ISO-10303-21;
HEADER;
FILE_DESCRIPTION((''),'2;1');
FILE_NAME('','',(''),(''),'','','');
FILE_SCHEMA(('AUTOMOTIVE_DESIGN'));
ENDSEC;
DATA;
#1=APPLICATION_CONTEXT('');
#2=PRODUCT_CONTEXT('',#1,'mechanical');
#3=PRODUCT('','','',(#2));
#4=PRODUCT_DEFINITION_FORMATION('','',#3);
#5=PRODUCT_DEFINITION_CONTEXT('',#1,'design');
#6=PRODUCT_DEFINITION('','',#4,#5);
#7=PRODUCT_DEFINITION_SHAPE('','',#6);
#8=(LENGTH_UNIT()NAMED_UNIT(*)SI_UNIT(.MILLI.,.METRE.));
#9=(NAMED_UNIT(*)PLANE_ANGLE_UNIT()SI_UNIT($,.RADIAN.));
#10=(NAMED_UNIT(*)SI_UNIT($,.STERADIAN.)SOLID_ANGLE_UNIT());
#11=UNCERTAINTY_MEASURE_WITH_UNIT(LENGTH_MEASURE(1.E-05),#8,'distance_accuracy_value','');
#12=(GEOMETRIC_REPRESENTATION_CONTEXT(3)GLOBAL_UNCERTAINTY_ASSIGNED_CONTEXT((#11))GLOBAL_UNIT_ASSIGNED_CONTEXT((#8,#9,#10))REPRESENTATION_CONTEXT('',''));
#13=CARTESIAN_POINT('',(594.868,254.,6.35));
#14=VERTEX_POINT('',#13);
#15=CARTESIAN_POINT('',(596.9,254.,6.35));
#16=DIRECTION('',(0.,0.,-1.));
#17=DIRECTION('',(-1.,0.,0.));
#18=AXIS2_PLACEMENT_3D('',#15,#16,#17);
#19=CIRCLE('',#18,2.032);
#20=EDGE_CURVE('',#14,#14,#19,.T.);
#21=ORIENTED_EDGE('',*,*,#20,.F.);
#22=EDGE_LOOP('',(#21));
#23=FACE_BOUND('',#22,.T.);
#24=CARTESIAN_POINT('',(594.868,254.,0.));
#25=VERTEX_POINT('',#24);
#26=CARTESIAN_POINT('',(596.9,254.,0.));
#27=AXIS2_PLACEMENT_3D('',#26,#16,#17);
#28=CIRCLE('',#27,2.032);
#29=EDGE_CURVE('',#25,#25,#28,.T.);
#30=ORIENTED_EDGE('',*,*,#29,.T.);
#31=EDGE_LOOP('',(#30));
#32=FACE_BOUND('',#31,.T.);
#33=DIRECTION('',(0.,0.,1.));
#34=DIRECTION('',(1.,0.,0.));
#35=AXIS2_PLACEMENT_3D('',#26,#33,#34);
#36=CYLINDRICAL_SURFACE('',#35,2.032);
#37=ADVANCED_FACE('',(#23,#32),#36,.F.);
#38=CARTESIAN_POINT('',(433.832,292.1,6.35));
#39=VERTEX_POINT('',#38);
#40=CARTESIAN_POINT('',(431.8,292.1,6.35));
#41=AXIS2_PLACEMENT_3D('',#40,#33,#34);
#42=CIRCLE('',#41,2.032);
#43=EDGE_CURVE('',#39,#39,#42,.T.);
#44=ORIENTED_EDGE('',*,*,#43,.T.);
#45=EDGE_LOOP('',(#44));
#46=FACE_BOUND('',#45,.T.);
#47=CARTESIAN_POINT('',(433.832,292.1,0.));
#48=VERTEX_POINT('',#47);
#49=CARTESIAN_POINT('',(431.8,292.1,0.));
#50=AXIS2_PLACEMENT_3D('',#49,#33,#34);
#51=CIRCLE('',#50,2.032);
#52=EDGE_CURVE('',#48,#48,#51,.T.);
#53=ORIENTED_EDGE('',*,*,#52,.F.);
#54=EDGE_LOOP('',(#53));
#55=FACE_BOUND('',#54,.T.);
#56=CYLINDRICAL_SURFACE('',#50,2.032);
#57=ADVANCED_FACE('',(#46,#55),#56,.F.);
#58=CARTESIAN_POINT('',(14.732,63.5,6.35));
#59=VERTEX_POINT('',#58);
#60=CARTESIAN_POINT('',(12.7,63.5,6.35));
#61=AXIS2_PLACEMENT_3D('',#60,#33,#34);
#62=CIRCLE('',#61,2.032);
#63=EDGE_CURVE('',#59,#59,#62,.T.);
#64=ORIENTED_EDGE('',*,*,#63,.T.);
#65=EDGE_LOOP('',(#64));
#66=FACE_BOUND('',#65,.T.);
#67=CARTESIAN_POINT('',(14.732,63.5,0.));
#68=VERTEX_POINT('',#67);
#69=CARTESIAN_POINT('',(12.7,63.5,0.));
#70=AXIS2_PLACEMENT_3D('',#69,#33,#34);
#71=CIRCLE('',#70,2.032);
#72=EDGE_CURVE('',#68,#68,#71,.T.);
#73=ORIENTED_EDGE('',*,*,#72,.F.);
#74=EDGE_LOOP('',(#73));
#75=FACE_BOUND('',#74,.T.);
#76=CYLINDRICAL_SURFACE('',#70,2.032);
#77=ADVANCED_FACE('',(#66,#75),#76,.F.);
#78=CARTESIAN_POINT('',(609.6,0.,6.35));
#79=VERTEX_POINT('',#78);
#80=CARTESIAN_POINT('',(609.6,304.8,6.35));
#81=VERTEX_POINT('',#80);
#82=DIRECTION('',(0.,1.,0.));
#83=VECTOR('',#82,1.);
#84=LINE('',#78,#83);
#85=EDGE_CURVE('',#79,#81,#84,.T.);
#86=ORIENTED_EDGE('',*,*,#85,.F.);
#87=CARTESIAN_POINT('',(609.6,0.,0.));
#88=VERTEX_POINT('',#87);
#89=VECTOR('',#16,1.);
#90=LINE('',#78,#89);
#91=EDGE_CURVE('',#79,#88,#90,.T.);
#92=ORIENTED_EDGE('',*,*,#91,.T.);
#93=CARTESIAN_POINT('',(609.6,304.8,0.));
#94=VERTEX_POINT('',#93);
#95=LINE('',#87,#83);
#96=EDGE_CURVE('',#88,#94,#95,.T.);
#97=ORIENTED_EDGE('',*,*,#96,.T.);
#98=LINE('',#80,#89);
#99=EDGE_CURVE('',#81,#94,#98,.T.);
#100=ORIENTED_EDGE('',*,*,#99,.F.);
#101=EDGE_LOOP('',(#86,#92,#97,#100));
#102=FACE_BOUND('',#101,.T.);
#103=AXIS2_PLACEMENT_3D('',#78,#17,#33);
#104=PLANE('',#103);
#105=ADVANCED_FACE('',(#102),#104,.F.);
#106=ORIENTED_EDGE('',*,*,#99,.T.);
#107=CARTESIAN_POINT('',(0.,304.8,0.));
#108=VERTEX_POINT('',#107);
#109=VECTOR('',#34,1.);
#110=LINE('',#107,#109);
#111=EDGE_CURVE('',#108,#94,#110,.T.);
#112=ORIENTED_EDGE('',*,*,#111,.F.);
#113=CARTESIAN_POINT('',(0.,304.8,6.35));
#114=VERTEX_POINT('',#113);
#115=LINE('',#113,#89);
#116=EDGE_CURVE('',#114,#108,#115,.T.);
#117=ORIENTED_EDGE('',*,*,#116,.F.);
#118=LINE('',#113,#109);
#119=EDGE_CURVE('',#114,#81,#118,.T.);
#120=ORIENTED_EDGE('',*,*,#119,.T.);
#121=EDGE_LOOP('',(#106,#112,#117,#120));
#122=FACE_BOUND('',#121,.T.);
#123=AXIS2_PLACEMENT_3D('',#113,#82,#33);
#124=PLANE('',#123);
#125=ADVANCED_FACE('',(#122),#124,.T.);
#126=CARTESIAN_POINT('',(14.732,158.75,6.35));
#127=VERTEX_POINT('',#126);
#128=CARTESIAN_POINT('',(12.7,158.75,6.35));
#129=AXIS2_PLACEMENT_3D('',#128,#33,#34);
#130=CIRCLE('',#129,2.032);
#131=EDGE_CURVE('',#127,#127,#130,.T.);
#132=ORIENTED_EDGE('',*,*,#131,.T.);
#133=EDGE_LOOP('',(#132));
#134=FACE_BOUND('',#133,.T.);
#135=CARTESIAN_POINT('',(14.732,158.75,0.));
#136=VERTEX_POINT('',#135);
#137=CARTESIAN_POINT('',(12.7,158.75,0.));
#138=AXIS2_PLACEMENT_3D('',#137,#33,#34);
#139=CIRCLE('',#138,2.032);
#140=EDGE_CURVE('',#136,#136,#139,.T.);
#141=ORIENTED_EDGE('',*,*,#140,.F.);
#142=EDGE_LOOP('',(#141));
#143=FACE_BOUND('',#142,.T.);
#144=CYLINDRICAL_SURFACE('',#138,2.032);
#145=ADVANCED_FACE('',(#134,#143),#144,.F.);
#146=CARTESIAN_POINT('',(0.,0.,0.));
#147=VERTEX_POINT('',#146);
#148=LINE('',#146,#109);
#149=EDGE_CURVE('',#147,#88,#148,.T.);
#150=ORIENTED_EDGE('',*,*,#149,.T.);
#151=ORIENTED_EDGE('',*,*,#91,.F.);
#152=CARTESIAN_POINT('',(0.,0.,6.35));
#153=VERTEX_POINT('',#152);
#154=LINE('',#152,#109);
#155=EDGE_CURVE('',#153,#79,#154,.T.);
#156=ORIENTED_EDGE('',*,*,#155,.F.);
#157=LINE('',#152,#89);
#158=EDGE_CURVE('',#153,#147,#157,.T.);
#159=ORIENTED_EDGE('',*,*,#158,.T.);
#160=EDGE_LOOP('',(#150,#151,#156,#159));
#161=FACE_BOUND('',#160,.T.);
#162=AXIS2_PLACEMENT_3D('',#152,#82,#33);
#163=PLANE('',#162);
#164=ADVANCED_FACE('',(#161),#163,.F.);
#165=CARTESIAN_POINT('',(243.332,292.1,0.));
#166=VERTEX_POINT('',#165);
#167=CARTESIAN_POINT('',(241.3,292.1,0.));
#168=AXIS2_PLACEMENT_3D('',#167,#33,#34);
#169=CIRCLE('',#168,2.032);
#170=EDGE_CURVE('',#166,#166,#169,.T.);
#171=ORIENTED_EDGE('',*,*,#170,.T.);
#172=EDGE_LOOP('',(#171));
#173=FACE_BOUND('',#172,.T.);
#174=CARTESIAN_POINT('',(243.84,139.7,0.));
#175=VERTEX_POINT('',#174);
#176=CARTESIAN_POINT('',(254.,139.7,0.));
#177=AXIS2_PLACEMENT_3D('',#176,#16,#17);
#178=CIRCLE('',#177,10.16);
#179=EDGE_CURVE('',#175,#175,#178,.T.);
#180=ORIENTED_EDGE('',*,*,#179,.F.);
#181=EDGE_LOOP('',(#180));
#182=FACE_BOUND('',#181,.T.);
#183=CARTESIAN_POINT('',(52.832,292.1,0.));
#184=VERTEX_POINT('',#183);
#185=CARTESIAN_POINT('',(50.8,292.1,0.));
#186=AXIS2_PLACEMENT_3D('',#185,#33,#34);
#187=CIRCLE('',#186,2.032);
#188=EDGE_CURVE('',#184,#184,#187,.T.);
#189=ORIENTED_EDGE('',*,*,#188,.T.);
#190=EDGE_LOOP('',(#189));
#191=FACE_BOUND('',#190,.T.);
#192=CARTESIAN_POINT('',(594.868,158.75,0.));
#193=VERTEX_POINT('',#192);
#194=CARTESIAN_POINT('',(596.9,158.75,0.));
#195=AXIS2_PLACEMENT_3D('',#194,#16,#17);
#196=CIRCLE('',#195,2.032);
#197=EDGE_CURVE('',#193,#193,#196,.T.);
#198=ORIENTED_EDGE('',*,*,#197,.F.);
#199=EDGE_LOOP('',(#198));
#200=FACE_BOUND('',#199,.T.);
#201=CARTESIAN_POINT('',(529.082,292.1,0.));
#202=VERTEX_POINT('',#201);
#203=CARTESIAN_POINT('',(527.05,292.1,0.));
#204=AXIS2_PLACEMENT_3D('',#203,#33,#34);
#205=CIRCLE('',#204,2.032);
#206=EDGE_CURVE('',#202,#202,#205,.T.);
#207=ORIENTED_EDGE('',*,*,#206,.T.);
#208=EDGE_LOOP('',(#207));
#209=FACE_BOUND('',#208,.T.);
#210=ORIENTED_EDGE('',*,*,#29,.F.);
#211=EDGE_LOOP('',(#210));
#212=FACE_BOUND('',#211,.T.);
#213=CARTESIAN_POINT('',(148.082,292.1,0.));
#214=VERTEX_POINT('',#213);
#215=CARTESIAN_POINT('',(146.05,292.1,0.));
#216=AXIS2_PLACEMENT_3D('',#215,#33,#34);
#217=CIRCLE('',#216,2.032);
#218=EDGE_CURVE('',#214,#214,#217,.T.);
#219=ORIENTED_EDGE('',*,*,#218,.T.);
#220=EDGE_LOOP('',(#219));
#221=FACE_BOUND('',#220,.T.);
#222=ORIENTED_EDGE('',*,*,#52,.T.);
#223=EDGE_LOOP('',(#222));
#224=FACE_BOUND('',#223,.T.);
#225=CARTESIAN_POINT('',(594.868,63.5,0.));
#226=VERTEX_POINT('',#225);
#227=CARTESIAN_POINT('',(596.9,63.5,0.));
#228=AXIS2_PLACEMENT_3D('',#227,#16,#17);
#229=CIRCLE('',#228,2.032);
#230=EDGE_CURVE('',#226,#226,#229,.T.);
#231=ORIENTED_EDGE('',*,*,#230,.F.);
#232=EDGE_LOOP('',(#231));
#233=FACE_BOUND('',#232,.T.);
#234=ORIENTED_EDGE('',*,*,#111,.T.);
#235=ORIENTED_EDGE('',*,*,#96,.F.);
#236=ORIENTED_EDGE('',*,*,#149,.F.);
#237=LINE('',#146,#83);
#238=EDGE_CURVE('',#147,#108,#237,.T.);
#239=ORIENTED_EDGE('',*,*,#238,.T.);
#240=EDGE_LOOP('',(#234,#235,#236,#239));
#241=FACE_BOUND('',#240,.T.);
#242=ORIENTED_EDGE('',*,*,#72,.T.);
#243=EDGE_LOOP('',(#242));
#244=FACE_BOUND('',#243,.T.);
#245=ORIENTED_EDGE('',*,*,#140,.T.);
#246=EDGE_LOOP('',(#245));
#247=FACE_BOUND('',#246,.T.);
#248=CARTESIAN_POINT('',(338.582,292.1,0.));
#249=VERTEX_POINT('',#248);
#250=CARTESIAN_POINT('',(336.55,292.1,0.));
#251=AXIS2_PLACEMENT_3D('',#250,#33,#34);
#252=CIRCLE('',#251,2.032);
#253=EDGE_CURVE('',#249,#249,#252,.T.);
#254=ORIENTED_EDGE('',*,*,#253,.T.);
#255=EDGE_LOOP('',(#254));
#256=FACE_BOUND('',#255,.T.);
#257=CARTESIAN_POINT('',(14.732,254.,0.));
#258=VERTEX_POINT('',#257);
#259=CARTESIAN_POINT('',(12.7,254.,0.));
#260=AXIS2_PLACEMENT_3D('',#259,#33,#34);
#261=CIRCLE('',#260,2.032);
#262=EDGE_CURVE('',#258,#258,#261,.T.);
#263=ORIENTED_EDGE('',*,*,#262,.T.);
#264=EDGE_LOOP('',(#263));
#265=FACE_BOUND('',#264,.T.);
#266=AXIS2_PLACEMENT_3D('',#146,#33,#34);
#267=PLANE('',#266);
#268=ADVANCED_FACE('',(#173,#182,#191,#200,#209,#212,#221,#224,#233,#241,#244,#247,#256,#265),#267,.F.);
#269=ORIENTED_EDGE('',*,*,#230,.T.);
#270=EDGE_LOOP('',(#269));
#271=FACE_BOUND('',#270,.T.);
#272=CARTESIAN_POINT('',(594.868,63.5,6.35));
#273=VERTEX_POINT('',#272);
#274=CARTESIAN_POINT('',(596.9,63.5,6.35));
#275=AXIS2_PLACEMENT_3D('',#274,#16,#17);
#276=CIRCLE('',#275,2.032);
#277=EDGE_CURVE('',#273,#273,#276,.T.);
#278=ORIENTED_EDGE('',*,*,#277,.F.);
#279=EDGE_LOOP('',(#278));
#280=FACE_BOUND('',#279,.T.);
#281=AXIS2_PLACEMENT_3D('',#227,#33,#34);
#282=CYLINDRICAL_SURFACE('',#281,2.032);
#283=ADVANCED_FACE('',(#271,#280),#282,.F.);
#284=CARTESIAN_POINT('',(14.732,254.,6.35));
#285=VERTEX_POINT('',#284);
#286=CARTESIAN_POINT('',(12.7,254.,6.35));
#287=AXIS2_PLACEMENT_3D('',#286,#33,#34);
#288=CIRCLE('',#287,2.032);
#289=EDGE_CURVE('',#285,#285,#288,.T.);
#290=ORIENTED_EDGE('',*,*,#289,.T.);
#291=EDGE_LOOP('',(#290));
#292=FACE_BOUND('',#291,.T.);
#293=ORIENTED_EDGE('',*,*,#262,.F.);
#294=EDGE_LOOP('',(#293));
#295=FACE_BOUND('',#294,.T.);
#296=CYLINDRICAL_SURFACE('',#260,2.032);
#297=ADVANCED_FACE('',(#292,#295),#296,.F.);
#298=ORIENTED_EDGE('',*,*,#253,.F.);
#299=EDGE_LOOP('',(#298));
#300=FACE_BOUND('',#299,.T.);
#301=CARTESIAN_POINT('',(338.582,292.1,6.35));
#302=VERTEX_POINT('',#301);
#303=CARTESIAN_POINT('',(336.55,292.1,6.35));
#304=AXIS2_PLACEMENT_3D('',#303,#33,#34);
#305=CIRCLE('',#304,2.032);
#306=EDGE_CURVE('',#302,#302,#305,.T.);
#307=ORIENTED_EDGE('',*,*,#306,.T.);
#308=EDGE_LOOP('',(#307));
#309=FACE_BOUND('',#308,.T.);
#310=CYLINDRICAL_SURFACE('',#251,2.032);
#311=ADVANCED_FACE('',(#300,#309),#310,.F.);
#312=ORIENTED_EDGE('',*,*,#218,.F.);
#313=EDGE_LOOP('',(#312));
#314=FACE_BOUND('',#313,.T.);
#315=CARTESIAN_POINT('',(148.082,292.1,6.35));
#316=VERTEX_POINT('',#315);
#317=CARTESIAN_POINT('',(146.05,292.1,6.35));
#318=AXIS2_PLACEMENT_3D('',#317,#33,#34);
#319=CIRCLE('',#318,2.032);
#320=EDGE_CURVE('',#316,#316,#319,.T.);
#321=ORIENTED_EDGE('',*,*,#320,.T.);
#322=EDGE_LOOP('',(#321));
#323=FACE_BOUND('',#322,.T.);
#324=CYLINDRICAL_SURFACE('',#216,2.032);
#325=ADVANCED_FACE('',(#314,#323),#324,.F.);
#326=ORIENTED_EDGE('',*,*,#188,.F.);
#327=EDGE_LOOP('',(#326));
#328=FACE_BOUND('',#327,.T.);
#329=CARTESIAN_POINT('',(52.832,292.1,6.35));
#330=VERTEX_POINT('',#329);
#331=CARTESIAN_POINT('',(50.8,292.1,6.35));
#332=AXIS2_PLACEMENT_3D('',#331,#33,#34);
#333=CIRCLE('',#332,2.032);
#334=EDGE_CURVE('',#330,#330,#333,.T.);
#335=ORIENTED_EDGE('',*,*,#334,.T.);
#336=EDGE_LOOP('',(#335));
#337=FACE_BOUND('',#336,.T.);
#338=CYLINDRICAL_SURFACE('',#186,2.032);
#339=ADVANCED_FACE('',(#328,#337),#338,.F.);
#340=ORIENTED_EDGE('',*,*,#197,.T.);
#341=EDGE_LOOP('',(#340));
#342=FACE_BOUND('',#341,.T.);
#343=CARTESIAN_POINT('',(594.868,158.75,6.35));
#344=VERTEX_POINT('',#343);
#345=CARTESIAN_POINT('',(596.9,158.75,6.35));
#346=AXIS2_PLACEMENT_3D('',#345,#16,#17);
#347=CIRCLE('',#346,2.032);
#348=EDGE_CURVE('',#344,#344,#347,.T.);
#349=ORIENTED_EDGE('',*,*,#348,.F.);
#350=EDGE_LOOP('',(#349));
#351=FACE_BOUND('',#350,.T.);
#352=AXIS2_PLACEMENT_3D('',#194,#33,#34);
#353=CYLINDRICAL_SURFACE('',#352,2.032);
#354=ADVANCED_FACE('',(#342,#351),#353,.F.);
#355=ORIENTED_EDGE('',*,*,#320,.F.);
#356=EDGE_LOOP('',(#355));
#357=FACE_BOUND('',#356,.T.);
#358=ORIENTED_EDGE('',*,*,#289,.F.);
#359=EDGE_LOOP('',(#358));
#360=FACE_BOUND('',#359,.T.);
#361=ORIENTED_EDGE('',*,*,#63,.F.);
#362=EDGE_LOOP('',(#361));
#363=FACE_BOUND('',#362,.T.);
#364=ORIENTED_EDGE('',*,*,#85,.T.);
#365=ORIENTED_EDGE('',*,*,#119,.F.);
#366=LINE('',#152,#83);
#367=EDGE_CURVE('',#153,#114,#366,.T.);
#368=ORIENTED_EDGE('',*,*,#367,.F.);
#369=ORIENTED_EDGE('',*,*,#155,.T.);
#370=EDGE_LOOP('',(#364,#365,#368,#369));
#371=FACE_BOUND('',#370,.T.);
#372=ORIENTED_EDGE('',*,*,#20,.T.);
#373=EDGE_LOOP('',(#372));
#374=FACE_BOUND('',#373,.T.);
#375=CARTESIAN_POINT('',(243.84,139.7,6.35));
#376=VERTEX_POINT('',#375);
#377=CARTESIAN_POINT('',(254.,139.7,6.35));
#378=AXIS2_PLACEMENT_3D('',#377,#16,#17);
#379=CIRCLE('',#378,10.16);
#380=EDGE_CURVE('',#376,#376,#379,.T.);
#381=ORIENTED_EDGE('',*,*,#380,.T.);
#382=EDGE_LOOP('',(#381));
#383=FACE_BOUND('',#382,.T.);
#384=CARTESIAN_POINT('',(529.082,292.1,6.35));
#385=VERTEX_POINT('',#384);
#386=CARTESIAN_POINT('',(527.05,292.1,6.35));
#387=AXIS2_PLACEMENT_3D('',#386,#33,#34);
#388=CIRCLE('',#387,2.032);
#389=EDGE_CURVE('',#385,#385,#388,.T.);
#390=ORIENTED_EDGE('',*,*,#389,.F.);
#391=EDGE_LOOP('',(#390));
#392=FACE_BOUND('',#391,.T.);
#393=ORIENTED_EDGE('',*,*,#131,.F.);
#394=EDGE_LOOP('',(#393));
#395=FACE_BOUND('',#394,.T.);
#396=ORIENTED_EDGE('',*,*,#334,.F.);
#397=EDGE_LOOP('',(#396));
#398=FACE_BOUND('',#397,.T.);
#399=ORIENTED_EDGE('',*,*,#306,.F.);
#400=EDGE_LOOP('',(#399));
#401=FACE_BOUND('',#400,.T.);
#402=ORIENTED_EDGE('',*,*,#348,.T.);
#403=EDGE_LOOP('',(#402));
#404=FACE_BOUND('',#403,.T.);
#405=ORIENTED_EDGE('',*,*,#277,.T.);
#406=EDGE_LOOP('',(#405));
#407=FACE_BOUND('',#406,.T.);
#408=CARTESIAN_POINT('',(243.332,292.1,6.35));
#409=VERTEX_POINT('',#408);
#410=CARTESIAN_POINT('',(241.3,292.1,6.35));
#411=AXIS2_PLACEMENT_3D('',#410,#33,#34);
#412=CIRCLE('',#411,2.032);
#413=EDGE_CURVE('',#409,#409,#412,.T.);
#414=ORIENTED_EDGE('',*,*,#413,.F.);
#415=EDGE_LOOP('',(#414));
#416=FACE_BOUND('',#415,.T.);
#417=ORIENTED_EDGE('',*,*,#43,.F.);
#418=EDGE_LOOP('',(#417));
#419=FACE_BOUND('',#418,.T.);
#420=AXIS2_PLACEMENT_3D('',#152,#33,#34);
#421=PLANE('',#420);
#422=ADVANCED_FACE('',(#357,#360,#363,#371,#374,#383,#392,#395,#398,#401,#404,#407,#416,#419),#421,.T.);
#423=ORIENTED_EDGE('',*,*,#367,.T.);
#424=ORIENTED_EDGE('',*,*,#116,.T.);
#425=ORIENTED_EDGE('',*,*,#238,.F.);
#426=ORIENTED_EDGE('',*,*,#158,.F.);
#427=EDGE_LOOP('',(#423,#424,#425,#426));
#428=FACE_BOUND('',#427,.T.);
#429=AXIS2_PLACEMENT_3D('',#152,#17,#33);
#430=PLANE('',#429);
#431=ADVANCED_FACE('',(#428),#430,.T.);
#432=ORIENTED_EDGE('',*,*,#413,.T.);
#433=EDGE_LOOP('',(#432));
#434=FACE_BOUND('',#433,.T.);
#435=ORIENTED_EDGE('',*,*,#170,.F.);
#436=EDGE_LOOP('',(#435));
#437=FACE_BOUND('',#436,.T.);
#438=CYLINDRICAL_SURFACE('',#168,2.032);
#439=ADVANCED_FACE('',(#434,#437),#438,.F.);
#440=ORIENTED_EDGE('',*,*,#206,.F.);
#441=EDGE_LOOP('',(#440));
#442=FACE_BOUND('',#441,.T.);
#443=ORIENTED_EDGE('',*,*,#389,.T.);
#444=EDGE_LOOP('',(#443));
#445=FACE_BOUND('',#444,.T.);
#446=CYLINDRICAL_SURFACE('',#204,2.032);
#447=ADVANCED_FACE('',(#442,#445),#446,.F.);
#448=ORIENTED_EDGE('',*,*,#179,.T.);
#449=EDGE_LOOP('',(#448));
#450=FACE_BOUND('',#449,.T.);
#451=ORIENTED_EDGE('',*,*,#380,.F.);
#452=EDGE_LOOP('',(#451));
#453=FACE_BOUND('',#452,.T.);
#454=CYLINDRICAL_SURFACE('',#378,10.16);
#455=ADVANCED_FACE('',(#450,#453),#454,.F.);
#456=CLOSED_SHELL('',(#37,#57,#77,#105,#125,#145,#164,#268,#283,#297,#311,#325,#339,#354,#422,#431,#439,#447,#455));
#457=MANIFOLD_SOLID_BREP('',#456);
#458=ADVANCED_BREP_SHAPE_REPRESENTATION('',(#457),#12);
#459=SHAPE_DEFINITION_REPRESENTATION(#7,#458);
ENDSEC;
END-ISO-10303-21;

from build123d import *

# Parameters (mm, degrees)
SKETCH1_W           = 609.6
SKETCH1_H           = 304.8
BOSS_EXTRUDE1_DEPTH = 6.35
SKETCH2_R           = 2.032
CUT_EXTRUDE4_DEPTH  = 7.35
SKETCH4_R           = 2.032
CUT_EXTRUDE7_DEPTH  = 7.35
SKETCH5_R           = 10.16
CUT_EXTRUDE8_DEPTH  = 7.35


with BuildPart() as part:
    # Sketch1 → Boss-Extrude1 (new body)
    with BuildSketch(Plane.XY):
        with Locations((304.8, 152.4)):
            Rectangle(SKETCH1_W, SKETCH1_H)
    extrude(amount=BOSS_EXTRUDE1_DEPTH)

    # Sketch2 → Cut-Extrude4 (cut, through all)
    with BuildSketch(Plane.XY.offset(6.35)):
        with Locations((12.7, 254)):
            Circle(SKETCH2_R)
        with Locations((12.7, 158.75)):
            Circle(SKETCH2_R)
        with Locations((12.7, 63.5)):
            Circle(SKETCH2_R)
        with Locations((596.9, 63.5)):
            Circle(SKETCH2_R)
        with Locations((596.9, 158.75)):
            Circle(SKETCH2_R)
        with Locations((596.9, 254)):
            Circle(SKETCH2_R)
    extrude(amount=-CUT_EXTRUDE4_DEPTH, mode=Mode.SUBTRACT)

    # Sketch4 → Cut-Extrude7 (cut, through all)
    with BuildSketch(Plane.XY.offset(6.35)):
        with Locations((50.8, 292.1)):
            Circle(SKETCH4_R)
        with Locations((146.05, 292.1)):
            Circle(SKETCH4_R)
        with Locations((241.3, 292.1)):
            Circle(SKETCH4_R)
        with Locations((336.55, 292.1)):
            Circle(SKETCH4_R)
        with Locations((431.8, 292.1)):
            Circle(SKETCH4_R)
        with Locations((527.05, 292.1)):
            Circle(SKETCH4_R)
    extrude(amount=-CUT_EXTRUDE7_DEPTH, mode=Mode.SUBTRACT)

    # Sketch5 → Cut-Extrude8 (cut, through all)
    with BuildSketch(Plane(origin=(0, 0, 0), x_dir=(-1, 0, 0), z_dir=(0, 0, -1))):
        with Locations((-254, 139.7)):
            Circle(SKETCH5_R)
    extrude(amount=-CUT_EXTRUDE8_DEPTH, mode=Mode.SUBTRACT)


solid = part.part
